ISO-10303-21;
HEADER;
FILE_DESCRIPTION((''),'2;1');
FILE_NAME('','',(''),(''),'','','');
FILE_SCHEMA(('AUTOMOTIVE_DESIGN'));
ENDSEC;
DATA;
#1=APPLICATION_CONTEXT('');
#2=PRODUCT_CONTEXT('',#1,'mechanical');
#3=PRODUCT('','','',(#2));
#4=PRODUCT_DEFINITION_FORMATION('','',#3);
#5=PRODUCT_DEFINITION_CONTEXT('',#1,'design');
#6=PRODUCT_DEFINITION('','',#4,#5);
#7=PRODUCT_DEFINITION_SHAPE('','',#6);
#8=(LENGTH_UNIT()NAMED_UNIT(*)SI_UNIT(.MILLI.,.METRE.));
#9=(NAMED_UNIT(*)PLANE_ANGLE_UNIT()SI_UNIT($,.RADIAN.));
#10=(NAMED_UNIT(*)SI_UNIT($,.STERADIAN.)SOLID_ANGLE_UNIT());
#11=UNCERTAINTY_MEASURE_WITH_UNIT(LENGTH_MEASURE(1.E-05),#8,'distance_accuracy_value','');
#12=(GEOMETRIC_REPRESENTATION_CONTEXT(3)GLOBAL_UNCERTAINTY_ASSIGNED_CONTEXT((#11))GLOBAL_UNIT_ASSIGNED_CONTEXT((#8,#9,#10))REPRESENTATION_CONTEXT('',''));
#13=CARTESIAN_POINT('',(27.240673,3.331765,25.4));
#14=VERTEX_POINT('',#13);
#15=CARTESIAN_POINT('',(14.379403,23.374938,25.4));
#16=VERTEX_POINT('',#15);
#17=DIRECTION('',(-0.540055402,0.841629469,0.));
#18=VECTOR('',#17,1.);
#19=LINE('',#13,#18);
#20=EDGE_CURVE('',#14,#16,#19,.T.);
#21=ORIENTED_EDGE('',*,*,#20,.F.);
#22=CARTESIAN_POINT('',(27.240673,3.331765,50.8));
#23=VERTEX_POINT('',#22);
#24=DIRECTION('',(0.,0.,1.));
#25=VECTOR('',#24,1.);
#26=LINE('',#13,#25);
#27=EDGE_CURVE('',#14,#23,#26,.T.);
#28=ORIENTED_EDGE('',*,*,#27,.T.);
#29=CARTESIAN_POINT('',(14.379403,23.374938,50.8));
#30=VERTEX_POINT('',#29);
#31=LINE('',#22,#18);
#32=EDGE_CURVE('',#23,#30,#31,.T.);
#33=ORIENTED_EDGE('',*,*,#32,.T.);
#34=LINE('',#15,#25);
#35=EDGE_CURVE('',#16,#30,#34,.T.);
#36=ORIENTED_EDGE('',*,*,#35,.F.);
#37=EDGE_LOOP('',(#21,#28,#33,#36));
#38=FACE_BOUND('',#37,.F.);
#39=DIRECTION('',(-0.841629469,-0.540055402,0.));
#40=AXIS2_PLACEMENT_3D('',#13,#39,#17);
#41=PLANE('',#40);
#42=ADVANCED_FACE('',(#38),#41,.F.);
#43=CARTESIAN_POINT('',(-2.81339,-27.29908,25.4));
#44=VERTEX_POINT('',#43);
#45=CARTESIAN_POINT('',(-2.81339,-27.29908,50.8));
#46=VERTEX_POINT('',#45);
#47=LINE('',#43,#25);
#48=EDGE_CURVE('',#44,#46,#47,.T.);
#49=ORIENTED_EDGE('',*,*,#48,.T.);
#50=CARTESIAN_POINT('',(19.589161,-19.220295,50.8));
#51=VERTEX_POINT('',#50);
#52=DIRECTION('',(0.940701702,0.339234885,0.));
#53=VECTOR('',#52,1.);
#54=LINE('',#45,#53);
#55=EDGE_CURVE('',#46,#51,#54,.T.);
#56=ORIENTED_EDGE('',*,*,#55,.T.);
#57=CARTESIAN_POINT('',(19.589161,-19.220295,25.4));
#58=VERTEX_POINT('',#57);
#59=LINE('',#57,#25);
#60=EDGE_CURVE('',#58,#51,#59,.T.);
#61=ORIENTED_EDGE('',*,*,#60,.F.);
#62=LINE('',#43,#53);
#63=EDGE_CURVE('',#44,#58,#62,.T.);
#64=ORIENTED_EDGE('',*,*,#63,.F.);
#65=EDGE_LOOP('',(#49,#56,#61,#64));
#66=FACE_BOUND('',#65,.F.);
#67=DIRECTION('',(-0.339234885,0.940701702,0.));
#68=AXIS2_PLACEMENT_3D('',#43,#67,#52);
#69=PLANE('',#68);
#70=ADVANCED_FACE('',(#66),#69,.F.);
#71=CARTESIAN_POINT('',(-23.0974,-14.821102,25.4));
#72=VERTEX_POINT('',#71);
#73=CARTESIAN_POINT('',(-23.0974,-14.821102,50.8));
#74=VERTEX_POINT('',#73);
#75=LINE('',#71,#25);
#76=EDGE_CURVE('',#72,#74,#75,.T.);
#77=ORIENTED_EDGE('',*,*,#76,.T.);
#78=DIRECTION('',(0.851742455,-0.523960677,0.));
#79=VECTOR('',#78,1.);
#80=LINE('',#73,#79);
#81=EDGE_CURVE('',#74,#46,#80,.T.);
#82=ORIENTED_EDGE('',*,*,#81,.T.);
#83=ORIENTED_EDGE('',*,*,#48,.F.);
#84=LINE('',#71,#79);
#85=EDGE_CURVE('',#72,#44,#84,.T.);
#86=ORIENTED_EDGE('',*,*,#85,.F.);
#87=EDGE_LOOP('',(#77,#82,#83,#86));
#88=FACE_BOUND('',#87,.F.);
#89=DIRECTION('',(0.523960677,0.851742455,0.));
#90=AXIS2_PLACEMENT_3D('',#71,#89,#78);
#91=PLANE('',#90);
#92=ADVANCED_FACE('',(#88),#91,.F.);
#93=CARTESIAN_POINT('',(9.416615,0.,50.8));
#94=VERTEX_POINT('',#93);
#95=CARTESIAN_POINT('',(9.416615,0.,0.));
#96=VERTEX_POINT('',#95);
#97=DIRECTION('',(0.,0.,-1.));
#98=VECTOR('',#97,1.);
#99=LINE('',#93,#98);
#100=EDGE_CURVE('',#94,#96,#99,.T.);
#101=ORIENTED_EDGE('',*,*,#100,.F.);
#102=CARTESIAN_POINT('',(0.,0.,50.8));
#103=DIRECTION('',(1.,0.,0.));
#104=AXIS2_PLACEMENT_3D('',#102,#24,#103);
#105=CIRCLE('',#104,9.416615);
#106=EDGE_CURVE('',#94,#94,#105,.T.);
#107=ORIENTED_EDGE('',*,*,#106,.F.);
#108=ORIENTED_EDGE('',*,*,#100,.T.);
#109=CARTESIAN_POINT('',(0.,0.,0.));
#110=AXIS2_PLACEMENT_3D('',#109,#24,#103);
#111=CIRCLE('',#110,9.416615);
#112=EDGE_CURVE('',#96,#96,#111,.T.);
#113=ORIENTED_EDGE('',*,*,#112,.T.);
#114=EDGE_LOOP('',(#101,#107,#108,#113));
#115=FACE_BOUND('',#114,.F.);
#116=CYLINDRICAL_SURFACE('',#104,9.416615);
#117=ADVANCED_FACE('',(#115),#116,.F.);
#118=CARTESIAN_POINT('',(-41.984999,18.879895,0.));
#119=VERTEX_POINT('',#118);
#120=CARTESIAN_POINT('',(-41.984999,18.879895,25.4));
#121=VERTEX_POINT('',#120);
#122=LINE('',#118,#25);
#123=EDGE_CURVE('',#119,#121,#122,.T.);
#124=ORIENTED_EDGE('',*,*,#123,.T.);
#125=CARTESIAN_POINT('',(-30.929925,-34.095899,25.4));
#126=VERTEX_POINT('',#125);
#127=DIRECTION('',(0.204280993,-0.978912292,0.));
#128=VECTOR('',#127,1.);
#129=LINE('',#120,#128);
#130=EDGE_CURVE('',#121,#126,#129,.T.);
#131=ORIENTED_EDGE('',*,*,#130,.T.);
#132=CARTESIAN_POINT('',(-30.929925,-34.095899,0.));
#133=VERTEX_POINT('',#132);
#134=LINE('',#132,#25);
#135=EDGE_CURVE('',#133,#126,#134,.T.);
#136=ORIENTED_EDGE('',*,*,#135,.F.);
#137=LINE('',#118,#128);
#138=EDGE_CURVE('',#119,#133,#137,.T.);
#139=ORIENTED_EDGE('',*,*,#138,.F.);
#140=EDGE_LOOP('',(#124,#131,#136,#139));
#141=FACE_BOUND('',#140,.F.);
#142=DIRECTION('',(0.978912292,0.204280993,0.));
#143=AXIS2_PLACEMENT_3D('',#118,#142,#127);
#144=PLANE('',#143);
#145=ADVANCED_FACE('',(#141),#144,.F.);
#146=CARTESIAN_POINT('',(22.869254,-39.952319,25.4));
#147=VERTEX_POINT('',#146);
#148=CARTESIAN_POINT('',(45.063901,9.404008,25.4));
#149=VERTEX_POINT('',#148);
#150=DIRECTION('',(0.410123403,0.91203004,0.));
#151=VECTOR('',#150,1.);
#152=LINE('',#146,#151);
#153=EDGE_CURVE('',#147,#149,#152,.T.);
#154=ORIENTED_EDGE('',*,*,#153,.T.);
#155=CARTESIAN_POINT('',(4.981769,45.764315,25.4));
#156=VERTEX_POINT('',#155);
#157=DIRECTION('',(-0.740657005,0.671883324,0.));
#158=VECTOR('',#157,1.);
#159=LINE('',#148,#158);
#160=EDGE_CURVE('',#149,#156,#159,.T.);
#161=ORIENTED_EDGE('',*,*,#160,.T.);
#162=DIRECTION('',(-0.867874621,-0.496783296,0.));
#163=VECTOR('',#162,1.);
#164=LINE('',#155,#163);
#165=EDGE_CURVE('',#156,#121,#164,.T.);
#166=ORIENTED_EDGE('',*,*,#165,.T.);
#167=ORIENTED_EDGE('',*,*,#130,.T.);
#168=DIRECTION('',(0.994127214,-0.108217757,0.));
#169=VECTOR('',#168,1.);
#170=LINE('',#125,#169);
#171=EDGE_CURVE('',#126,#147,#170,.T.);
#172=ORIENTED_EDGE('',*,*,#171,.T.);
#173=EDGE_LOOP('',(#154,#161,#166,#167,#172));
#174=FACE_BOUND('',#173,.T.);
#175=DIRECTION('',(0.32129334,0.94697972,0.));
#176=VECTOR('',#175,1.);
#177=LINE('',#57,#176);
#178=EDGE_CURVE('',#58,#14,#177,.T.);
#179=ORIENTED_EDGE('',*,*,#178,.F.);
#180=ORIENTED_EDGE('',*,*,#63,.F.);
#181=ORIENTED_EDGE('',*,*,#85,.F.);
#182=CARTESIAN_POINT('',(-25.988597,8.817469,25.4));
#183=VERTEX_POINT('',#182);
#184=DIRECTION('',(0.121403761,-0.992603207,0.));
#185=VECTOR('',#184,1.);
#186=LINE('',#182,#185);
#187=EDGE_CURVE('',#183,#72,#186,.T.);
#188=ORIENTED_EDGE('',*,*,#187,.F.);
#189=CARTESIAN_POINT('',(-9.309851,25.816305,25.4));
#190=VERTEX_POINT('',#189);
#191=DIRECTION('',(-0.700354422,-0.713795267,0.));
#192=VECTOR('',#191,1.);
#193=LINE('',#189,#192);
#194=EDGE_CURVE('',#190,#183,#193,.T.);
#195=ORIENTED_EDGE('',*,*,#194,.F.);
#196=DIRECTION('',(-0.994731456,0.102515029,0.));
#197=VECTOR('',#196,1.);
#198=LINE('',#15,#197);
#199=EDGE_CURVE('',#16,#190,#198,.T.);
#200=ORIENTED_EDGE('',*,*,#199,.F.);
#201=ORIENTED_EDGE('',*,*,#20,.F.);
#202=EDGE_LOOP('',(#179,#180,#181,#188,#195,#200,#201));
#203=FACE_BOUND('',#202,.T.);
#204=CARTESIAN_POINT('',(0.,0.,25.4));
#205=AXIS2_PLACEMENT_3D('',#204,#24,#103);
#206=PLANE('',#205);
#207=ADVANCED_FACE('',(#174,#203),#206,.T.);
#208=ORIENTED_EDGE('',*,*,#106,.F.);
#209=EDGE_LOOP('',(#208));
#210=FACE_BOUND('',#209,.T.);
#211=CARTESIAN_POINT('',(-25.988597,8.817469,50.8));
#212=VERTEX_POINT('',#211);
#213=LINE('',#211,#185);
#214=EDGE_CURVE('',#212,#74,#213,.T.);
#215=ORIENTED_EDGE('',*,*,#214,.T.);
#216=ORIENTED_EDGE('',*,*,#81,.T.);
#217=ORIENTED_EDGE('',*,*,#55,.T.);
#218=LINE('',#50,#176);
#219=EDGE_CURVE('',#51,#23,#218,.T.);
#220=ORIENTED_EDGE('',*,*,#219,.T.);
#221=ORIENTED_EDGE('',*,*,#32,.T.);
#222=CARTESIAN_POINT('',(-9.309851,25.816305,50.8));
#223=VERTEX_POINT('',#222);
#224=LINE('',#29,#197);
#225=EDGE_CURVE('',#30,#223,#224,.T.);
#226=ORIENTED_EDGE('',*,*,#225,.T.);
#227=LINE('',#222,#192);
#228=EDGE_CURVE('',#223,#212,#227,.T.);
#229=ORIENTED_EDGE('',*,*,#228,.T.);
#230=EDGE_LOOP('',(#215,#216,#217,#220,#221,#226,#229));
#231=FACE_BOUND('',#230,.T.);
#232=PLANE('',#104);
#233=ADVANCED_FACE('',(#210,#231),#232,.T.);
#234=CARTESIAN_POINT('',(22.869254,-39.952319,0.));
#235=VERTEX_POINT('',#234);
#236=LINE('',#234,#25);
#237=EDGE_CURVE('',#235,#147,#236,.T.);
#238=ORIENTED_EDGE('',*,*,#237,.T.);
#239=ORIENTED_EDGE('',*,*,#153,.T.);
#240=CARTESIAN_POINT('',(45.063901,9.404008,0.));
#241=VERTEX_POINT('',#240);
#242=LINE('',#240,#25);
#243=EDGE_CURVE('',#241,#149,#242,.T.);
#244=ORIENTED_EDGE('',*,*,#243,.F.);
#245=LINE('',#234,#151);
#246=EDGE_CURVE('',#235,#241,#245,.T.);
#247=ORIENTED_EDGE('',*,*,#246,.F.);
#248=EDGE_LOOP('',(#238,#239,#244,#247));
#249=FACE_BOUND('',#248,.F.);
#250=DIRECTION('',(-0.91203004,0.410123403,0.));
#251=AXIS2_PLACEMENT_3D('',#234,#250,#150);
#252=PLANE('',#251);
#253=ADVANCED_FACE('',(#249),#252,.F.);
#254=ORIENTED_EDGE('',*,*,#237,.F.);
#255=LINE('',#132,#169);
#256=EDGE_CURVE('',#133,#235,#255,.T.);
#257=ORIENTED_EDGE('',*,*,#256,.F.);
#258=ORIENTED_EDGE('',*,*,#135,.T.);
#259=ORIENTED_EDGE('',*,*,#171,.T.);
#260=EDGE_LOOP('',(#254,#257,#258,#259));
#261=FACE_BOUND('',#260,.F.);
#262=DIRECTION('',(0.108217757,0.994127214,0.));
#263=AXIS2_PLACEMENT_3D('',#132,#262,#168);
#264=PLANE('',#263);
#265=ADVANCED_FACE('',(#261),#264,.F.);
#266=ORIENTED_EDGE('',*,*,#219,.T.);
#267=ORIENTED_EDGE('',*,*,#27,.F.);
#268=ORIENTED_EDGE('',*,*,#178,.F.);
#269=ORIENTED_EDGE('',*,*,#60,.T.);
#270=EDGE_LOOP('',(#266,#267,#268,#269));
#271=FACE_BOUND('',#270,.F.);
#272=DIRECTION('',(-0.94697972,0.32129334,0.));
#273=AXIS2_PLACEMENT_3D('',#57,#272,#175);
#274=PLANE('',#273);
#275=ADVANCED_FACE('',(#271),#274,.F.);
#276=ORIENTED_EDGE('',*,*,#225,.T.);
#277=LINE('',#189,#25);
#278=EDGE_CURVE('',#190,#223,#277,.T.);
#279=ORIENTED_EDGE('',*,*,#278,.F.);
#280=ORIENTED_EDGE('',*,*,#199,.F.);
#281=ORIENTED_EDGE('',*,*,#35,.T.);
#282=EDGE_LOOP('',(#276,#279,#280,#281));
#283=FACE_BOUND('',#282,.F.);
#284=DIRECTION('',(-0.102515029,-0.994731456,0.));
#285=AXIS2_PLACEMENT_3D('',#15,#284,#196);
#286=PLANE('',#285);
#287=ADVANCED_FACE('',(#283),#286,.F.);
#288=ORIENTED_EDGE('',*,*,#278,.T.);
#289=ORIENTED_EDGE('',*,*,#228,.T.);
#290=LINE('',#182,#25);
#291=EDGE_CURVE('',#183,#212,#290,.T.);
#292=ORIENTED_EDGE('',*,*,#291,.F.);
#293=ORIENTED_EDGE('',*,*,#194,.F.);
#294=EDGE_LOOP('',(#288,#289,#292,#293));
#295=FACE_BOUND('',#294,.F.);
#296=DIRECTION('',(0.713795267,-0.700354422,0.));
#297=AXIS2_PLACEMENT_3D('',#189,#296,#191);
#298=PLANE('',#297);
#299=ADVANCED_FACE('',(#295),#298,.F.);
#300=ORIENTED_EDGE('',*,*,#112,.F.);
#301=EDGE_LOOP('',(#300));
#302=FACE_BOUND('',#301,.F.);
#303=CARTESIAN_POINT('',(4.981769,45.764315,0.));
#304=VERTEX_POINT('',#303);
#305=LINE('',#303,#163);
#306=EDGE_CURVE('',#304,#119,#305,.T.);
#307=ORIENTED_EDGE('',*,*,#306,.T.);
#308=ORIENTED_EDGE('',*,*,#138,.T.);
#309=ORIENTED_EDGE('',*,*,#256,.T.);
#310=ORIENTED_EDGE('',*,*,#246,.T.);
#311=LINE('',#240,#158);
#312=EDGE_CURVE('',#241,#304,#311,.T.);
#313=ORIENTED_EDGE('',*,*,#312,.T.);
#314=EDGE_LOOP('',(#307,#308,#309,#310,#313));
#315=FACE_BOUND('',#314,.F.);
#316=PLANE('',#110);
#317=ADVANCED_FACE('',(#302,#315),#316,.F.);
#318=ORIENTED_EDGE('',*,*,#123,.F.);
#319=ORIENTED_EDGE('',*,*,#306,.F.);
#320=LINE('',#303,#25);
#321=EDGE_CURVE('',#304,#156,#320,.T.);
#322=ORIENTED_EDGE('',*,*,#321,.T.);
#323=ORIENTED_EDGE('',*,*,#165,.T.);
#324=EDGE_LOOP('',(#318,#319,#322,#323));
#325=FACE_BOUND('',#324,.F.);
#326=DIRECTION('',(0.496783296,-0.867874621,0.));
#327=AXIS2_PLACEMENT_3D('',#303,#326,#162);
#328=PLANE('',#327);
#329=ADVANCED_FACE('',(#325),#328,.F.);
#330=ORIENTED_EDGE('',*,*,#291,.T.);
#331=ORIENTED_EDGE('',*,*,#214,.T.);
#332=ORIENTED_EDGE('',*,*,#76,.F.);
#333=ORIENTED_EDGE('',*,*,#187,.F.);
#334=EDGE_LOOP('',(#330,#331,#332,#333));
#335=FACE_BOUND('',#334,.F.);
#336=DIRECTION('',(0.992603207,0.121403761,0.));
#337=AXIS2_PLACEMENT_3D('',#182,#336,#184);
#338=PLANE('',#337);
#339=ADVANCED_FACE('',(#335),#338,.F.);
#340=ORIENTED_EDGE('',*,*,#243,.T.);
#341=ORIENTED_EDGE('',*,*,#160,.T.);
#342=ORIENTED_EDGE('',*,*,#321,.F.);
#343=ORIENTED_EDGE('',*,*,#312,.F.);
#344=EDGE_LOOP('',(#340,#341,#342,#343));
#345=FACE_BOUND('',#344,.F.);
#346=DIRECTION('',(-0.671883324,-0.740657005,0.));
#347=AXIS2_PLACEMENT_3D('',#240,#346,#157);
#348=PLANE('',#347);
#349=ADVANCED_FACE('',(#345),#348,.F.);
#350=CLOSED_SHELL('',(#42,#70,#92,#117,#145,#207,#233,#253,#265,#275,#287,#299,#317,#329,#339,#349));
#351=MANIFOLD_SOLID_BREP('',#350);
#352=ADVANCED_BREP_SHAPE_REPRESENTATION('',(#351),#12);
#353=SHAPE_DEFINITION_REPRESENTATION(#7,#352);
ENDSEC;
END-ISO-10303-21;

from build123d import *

# Parameters (mm, degrees)
F1_DEPTH = 25.4
F3_DEPTH = 25.4
F4_R     = 9.416615
F5_DEPTH = 94.742


with BuildPart() as f1:
    # F0 (on Top) → F1 (new body)
    with BuildSketch(Plane.XY):
        Polygon((4.981769, 45.764315), (-41.984999, 18.879895), (-30.929925, -34.095899), (22.869254, -39.952319), (45.063901, 9.404008), align=None)
    extrude(amount=F1_DEPTH)

    # F2 (on face) → F3 (join)
    with BuildSketch(Plane.XY.offset(25.4)):
        Polygon((-9.309851, 25.816305), (-25.988597, 8.817469), (-23.0974, -14.821102), (-2.81339, -27.29908), (19.589161, -19.220295), (27.240673, 3.331765), (14.379403, 23.374938), align=None)
    extrude(amount=F3_DEPTH)

    # F4 (on face) → F5 (cut)
    with BuildSketch(Plane.XY.offset(50.8)):
        Circle(F4_R)
    extrude(amount=-F5_DEPTH, mode=Mode.SUBTRACT)


solid = f1.part
